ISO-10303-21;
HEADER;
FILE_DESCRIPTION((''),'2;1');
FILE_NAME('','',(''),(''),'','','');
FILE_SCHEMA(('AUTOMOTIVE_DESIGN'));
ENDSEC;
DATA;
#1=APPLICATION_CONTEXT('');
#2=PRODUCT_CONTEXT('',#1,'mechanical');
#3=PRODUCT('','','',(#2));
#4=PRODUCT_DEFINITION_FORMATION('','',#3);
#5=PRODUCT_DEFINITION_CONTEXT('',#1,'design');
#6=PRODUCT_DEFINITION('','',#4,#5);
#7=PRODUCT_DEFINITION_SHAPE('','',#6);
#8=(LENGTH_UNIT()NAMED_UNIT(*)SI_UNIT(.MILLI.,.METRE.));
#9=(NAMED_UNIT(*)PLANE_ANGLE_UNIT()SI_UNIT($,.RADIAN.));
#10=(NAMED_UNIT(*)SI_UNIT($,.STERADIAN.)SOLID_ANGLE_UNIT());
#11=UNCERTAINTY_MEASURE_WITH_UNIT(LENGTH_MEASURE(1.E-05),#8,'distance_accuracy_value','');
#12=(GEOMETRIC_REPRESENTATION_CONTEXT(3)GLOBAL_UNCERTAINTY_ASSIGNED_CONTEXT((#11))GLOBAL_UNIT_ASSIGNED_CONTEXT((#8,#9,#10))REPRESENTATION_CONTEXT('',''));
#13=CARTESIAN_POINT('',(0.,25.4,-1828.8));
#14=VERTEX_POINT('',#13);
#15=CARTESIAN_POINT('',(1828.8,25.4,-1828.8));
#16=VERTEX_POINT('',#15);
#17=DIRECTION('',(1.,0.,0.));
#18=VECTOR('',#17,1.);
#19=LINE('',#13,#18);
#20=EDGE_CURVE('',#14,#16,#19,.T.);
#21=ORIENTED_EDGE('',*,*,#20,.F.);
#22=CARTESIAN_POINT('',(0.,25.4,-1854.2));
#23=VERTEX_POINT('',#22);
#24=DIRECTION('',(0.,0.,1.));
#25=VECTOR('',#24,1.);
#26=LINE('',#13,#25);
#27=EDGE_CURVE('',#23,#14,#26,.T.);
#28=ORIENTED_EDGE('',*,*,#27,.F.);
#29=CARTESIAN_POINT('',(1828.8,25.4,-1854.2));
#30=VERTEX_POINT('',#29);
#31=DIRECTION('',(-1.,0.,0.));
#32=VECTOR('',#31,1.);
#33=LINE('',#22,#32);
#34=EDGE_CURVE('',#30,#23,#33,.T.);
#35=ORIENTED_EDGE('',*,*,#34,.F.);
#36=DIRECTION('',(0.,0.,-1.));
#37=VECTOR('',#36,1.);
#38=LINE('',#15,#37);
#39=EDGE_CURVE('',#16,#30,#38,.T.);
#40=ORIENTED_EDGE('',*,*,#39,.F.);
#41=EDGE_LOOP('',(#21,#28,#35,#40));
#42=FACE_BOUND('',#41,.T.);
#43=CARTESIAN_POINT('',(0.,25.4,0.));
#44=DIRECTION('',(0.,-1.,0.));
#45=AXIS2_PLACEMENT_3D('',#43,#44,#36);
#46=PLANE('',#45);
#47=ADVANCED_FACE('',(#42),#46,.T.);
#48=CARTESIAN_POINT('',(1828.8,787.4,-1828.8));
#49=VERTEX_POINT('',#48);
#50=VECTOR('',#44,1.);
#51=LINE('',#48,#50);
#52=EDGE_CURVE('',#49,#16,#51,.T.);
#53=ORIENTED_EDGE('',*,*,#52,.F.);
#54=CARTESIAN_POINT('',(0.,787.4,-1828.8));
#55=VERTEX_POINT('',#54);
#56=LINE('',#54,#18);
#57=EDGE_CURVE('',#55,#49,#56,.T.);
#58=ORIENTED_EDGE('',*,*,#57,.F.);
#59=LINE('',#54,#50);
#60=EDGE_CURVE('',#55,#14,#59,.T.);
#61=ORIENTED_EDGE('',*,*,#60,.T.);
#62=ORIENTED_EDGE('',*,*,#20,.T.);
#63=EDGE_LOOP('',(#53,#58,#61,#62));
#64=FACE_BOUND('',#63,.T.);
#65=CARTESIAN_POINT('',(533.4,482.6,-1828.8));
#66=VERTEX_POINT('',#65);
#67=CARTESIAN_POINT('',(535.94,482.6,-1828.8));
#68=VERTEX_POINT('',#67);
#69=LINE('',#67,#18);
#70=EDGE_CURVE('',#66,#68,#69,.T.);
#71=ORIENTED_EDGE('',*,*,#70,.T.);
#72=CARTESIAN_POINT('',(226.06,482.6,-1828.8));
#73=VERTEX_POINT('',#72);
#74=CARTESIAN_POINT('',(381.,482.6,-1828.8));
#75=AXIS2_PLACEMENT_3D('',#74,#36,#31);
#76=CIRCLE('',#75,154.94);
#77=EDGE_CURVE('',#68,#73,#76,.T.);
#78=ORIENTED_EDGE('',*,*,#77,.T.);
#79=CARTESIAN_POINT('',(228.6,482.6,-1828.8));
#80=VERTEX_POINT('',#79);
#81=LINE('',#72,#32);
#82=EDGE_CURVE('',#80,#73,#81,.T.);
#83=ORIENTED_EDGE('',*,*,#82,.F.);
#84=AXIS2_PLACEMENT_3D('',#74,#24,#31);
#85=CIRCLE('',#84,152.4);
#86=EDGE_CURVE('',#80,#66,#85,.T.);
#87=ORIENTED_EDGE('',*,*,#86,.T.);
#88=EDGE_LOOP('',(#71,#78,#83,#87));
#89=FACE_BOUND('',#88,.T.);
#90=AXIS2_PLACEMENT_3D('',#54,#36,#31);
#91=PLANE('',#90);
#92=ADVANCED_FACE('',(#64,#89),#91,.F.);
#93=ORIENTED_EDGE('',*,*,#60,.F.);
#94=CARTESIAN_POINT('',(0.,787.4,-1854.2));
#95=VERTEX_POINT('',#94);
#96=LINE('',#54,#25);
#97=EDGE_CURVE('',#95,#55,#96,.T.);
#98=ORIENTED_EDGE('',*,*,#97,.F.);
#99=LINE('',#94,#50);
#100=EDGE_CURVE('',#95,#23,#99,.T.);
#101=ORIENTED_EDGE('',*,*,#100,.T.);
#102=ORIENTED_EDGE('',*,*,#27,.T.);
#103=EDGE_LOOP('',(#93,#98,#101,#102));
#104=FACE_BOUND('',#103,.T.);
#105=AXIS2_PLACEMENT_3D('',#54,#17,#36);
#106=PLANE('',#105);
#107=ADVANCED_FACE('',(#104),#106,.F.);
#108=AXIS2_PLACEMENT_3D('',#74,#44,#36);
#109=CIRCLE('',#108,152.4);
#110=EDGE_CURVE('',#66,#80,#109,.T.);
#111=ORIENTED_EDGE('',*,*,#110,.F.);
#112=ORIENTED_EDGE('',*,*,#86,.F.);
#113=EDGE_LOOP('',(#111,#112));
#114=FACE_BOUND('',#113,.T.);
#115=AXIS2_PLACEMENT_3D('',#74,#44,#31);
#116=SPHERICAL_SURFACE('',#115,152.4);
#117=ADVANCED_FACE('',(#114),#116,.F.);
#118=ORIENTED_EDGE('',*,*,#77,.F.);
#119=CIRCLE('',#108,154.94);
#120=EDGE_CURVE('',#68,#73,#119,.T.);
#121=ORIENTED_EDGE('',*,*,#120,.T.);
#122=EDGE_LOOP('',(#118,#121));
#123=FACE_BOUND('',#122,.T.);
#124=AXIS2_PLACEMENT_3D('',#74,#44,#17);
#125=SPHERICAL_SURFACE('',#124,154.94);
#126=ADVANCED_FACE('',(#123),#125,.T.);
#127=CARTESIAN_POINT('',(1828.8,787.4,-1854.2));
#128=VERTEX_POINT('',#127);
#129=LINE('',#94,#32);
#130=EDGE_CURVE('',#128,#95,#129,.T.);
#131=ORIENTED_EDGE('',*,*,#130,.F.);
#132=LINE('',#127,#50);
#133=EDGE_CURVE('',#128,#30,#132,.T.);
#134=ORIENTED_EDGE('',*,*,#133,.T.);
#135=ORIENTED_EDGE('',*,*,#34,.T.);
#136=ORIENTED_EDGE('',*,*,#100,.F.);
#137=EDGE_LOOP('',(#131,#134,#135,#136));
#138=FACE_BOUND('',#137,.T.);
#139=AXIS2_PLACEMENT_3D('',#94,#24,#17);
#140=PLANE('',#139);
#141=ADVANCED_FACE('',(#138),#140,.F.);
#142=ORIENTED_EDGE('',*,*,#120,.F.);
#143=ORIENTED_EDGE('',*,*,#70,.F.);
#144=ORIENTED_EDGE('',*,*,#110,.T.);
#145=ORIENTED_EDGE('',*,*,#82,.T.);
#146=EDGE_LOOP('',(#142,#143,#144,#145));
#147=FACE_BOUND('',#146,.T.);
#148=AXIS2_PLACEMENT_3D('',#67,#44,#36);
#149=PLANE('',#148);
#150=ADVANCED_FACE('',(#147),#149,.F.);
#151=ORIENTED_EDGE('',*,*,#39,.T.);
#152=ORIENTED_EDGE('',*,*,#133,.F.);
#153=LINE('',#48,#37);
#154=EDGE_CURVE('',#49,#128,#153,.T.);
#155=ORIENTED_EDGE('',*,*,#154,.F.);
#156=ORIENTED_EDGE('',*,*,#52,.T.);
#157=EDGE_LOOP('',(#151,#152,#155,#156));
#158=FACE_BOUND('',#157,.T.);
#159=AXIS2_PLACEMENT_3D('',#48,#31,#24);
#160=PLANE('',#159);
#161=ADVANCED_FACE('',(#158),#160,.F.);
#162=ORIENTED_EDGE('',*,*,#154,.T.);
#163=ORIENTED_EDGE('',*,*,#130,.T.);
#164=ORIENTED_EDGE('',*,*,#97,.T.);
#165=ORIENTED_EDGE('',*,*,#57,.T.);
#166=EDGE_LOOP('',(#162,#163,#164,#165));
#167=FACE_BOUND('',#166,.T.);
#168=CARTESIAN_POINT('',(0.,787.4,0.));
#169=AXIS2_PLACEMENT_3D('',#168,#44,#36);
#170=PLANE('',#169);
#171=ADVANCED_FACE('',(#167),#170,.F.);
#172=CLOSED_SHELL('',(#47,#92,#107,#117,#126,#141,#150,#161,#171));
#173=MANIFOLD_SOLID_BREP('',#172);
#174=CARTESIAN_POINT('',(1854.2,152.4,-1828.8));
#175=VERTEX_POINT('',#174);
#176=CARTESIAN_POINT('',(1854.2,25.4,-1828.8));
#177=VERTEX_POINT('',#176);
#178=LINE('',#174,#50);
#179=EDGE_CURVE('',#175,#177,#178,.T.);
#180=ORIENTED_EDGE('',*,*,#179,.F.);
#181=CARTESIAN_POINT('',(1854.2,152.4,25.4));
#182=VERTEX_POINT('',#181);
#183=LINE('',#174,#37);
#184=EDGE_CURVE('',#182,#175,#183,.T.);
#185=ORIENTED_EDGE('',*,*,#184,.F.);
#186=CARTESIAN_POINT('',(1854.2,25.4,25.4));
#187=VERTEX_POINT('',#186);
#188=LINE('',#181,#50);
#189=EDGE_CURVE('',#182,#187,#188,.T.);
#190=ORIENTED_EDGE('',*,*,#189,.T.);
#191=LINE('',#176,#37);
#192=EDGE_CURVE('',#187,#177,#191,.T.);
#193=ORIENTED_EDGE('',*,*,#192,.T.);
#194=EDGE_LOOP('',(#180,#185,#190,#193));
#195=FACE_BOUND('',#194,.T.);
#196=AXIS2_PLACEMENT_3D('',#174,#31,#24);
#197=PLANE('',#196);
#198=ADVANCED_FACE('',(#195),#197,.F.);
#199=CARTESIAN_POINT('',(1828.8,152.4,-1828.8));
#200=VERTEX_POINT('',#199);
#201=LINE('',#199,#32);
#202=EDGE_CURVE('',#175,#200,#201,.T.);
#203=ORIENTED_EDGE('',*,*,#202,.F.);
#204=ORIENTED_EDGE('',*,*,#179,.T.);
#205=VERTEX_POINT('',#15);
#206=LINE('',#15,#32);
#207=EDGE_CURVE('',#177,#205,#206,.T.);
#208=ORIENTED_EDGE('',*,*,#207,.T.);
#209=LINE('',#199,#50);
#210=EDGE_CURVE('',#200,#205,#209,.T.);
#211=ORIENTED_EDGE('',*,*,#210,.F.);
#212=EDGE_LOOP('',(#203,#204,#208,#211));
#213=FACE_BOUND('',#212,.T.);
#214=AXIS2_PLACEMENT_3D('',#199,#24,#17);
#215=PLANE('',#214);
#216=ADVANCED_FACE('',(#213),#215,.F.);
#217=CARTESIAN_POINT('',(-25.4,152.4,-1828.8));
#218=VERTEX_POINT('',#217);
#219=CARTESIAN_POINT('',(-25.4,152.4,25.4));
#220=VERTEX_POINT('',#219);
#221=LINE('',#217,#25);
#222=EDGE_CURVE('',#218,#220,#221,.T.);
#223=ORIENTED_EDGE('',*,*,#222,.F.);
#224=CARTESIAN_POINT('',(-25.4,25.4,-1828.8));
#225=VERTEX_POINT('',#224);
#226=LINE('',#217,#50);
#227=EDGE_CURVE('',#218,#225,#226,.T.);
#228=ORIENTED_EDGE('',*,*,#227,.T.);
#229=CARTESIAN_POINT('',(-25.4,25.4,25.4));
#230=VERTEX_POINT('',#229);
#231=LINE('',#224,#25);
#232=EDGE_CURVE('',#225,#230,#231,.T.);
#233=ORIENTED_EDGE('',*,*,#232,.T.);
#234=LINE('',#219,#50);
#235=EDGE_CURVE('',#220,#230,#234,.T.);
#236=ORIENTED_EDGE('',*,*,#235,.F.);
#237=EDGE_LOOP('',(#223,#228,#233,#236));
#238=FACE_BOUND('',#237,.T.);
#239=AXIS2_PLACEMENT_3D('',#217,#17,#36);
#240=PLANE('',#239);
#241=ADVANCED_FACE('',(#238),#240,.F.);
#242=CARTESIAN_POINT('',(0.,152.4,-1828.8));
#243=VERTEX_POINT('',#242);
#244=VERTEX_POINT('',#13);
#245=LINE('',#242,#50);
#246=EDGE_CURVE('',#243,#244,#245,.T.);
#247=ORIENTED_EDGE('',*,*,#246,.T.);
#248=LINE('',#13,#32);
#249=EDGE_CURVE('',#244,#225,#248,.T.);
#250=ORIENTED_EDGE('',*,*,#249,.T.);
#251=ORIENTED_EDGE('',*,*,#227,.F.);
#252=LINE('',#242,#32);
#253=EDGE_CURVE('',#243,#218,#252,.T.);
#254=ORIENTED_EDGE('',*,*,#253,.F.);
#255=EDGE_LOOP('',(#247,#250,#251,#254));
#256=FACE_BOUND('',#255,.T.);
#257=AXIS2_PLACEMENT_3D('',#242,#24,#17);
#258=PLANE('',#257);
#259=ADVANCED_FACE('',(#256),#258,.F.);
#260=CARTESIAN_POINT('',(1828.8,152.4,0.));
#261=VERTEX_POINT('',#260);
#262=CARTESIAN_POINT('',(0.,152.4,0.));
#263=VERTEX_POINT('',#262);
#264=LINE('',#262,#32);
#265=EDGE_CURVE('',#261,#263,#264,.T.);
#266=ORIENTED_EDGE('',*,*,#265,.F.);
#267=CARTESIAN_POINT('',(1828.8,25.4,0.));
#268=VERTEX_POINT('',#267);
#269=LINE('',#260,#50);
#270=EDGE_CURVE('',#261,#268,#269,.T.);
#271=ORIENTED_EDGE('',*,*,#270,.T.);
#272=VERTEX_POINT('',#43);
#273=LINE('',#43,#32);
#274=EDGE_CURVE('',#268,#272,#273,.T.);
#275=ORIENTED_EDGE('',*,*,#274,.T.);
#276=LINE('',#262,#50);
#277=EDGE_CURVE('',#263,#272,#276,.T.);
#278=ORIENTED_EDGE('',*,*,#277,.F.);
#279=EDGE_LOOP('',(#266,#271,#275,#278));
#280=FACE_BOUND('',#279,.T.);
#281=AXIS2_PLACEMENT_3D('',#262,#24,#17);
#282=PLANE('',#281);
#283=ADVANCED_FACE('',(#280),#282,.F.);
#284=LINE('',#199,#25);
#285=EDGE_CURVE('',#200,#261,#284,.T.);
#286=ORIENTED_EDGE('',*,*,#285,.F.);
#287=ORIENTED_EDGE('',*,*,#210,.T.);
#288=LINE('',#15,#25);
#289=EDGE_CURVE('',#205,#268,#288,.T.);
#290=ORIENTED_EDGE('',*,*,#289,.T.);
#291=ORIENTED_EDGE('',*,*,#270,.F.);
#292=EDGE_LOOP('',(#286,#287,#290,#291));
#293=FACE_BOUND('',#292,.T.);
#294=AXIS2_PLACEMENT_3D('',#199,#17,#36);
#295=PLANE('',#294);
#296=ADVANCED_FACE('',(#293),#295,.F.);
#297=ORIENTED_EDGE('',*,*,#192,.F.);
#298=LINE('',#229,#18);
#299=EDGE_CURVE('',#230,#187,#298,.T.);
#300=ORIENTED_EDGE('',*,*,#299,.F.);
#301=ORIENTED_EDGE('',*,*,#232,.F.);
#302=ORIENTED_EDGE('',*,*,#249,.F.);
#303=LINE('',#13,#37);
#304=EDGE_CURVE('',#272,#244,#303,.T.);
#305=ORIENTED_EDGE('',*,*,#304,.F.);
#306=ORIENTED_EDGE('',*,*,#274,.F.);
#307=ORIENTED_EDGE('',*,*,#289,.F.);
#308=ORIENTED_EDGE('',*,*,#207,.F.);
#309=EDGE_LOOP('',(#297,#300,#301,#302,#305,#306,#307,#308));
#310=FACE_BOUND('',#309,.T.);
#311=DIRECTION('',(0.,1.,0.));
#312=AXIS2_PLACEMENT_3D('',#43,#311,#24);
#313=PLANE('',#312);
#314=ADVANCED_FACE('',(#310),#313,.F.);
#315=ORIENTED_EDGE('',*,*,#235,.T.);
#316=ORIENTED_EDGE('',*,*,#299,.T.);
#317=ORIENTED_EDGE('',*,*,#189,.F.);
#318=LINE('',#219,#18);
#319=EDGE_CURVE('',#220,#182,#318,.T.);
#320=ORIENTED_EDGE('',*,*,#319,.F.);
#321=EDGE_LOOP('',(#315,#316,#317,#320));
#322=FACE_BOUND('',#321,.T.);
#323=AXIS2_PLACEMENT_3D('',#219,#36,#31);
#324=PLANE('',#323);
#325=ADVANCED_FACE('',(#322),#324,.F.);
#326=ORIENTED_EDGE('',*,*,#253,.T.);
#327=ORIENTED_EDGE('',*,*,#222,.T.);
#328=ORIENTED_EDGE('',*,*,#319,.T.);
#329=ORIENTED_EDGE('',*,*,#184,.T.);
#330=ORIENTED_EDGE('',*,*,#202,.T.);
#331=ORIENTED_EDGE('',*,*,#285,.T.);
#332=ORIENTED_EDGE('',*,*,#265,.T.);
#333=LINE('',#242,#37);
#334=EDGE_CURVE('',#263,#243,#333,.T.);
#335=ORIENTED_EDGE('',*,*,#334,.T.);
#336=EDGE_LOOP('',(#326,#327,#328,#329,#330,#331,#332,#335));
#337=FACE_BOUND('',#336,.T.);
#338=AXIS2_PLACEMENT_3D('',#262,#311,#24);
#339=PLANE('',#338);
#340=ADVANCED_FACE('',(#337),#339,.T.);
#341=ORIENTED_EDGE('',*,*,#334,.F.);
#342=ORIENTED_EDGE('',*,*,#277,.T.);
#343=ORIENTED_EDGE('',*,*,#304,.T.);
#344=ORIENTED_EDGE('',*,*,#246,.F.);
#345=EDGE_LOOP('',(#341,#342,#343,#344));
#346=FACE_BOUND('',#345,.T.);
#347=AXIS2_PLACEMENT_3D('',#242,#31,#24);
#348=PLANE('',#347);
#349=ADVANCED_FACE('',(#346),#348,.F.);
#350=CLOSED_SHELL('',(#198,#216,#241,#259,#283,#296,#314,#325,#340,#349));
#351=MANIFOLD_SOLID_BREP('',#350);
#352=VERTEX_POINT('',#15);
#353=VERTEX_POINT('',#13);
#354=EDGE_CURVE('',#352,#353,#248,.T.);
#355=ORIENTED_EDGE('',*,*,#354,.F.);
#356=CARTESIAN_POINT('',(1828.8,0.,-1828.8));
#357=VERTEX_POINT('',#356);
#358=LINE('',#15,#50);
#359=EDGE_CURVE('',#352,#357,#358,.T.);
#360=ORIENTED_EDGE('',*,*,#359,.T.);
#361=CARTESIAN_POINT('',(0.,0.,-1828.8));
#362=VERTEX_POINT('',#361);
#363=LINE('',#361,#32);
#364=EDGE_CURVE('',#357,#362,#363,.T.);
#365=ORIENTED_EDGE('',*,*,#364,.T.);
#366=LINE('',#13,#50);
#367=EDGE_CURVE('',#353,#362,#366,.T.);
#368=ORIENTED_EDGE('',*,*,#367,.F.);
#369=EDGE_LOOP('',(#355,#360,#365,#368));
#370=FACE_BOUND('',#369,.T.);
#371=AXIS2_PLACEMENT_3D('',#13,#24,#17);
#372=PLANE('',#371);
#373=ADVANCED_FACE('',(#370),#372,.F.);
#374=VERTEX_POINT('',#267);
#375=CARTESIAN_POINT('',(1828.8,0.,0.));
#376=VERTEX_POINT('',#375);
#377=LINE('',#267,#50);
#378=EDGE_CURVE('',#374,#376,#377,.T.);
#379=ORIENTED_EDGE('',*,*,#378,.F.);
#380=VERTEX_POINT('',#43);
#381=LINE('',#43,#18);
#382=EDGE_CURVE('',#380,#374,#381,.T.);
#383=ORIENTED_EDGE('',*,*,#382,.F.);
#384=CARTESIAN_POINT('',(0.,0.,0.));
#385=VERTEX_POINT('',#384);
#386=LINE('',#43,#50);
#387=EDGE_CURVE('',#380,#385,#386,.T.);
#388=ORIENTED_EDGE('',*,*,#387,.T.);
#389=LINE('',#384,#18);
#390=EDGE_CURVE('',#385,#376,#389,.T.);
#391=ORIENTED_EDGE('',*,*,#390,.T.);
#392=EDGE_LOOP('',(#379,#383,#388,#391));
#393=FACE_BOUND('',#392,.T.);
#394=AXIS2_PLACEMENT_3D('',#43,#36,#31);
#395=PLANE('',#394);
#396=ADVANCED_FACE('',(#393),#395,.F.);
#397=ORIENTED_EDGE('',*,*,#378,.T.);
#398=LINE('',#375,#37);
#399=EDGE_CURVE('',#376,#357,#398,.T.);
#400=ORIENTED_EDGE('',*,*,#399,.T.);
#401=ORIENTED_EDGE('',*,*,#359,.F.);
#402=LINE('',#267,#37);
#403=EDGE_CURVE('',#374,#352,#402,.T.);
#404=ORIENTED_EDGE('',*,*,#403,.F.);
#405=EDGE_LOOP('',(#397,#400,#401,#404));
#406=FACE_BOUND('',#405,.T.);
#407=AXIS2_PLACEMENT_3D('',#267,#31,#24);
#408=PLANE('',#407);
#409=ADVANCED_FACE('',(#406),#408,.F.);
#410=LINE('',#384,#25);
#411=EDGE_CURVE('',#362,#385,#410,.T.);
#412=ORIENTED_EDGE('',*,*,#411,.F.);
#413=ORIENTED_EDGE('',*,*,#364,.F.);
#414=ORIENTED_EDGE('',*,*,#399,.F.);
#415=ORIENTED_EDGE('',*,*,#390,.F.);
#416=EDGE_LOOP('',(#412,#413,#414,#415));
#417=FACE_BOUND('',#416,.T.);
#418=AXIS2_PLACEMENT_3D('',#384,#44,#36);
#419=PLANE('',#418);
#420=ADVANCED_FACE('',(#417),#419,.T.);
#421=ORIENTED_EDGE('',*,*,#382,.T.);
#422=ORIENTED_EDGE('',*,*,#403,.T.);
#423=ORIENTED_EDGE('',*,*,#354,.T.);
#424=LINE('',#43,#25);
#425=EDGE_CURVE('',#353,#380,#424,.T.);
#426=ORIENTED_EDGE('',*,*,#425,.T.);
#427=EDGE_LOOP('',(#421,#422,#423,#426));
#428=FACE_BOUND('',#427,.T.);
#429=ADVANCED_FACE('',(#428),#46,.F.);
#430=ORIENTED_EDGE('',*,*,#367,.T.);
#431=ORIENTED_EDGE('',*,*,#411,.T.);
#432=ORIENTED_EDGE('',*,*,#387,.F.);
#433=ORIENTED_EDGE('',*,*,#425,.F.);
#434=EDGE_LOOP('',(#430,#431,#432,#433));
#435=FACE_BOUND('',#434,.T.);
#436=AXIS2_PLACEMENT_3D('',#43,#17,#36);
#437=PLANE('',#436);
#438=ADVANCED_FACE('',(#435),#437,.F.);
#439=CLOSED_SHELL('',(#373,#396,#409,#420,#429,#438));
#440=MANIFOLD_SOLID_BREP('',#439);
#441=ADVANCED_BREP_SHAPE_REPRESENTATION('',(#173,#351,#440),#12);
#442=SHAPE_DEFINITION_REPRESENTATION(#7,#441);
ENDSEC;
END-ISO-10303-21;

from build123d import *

# Parameters (mm, degrees)
SKETCH1_W           = 1828.8
SKETCH1_H           = 1828.8
BOSS_EXTRUDE1_DEPTH = 25.4
SKETCH4_W           = 1828.8
SKETCH4_H           = 25.4
BOSS_EXTRUDE2_DEPTH = 762
BOSS_EXTRUDE3_DEPTH = 127
REVOLVE1_ANGLE      = 180


with BuildPart() as part:
    # Sketch1 → Boss-Extrude1 (new body)
    with BuildSketch(Plane(origin=(0, 0, 0), x_dir=(1, 0, 0), z_dir=(0, 1, 0))):
        with Locations((914.4, 914.4)):
            Rectangle(SKETCH1_W, SKETCH1_H)
    extrude(amount=BOSS_EXTRUDE1_DEPTH)


with BuildPart() as body_2:
    # Sketch4 → Boss-Extrude2 (new body)
    with BuildSketch(Plane(origin=(0, 25.4, 0), x_dir=(1, 0, 0), z_dir=(0, 1, 0))):
        with Locations((914.4, 1841.5)):
            Rectangle(SKETCH4_W, SKETCH4_H)
    extrude(amount=BOSS_EXTRUDE2_DEPTH)

    # Sketch6 → Revolve1 (revolve)
    with BuildSketch(Plane.XY.offset(-1828.8)):
        with BuildLine():
            Line((226.06, 482.6), (228.6, 482.6))
            ThreePointArc((228.6, 482.6), (273.236926547, 374.836926547), (381, 330.2))
            Line((381, 330.2), (381, 327.66))
            ThreePointArc((381, 327.66), (271.440875323, 373.040875323), (226.06, 482.6))
        make_face()
    revolve(axis=Axis((381, 330.2, -1828.8), (0, 1, 0)), revolution_arc=REVOLVE1_ANGLE)


with BuildPart() as body_3:
    # Sketch5 → Boss-Extrude3 (new body)
    with BuildSketch(Plane(origin=(0, 25.4, 0), x_dir=(1, 0, 0), z_dir=(0, 1, 0))):
        Polygon((0, 1828.8), (-25.4, 1828.8), (-25.4, -25.4), (1854.2, -25.4), (1854.2, 1828.8), (1828.8, 1828.8), (1828.8, 0), (0, 0), align=None)
    extrude(amount=BOSS_EXTRUDE3_DEPTH)


solid = Compound([part.part, body_2.part, body_3.part])
